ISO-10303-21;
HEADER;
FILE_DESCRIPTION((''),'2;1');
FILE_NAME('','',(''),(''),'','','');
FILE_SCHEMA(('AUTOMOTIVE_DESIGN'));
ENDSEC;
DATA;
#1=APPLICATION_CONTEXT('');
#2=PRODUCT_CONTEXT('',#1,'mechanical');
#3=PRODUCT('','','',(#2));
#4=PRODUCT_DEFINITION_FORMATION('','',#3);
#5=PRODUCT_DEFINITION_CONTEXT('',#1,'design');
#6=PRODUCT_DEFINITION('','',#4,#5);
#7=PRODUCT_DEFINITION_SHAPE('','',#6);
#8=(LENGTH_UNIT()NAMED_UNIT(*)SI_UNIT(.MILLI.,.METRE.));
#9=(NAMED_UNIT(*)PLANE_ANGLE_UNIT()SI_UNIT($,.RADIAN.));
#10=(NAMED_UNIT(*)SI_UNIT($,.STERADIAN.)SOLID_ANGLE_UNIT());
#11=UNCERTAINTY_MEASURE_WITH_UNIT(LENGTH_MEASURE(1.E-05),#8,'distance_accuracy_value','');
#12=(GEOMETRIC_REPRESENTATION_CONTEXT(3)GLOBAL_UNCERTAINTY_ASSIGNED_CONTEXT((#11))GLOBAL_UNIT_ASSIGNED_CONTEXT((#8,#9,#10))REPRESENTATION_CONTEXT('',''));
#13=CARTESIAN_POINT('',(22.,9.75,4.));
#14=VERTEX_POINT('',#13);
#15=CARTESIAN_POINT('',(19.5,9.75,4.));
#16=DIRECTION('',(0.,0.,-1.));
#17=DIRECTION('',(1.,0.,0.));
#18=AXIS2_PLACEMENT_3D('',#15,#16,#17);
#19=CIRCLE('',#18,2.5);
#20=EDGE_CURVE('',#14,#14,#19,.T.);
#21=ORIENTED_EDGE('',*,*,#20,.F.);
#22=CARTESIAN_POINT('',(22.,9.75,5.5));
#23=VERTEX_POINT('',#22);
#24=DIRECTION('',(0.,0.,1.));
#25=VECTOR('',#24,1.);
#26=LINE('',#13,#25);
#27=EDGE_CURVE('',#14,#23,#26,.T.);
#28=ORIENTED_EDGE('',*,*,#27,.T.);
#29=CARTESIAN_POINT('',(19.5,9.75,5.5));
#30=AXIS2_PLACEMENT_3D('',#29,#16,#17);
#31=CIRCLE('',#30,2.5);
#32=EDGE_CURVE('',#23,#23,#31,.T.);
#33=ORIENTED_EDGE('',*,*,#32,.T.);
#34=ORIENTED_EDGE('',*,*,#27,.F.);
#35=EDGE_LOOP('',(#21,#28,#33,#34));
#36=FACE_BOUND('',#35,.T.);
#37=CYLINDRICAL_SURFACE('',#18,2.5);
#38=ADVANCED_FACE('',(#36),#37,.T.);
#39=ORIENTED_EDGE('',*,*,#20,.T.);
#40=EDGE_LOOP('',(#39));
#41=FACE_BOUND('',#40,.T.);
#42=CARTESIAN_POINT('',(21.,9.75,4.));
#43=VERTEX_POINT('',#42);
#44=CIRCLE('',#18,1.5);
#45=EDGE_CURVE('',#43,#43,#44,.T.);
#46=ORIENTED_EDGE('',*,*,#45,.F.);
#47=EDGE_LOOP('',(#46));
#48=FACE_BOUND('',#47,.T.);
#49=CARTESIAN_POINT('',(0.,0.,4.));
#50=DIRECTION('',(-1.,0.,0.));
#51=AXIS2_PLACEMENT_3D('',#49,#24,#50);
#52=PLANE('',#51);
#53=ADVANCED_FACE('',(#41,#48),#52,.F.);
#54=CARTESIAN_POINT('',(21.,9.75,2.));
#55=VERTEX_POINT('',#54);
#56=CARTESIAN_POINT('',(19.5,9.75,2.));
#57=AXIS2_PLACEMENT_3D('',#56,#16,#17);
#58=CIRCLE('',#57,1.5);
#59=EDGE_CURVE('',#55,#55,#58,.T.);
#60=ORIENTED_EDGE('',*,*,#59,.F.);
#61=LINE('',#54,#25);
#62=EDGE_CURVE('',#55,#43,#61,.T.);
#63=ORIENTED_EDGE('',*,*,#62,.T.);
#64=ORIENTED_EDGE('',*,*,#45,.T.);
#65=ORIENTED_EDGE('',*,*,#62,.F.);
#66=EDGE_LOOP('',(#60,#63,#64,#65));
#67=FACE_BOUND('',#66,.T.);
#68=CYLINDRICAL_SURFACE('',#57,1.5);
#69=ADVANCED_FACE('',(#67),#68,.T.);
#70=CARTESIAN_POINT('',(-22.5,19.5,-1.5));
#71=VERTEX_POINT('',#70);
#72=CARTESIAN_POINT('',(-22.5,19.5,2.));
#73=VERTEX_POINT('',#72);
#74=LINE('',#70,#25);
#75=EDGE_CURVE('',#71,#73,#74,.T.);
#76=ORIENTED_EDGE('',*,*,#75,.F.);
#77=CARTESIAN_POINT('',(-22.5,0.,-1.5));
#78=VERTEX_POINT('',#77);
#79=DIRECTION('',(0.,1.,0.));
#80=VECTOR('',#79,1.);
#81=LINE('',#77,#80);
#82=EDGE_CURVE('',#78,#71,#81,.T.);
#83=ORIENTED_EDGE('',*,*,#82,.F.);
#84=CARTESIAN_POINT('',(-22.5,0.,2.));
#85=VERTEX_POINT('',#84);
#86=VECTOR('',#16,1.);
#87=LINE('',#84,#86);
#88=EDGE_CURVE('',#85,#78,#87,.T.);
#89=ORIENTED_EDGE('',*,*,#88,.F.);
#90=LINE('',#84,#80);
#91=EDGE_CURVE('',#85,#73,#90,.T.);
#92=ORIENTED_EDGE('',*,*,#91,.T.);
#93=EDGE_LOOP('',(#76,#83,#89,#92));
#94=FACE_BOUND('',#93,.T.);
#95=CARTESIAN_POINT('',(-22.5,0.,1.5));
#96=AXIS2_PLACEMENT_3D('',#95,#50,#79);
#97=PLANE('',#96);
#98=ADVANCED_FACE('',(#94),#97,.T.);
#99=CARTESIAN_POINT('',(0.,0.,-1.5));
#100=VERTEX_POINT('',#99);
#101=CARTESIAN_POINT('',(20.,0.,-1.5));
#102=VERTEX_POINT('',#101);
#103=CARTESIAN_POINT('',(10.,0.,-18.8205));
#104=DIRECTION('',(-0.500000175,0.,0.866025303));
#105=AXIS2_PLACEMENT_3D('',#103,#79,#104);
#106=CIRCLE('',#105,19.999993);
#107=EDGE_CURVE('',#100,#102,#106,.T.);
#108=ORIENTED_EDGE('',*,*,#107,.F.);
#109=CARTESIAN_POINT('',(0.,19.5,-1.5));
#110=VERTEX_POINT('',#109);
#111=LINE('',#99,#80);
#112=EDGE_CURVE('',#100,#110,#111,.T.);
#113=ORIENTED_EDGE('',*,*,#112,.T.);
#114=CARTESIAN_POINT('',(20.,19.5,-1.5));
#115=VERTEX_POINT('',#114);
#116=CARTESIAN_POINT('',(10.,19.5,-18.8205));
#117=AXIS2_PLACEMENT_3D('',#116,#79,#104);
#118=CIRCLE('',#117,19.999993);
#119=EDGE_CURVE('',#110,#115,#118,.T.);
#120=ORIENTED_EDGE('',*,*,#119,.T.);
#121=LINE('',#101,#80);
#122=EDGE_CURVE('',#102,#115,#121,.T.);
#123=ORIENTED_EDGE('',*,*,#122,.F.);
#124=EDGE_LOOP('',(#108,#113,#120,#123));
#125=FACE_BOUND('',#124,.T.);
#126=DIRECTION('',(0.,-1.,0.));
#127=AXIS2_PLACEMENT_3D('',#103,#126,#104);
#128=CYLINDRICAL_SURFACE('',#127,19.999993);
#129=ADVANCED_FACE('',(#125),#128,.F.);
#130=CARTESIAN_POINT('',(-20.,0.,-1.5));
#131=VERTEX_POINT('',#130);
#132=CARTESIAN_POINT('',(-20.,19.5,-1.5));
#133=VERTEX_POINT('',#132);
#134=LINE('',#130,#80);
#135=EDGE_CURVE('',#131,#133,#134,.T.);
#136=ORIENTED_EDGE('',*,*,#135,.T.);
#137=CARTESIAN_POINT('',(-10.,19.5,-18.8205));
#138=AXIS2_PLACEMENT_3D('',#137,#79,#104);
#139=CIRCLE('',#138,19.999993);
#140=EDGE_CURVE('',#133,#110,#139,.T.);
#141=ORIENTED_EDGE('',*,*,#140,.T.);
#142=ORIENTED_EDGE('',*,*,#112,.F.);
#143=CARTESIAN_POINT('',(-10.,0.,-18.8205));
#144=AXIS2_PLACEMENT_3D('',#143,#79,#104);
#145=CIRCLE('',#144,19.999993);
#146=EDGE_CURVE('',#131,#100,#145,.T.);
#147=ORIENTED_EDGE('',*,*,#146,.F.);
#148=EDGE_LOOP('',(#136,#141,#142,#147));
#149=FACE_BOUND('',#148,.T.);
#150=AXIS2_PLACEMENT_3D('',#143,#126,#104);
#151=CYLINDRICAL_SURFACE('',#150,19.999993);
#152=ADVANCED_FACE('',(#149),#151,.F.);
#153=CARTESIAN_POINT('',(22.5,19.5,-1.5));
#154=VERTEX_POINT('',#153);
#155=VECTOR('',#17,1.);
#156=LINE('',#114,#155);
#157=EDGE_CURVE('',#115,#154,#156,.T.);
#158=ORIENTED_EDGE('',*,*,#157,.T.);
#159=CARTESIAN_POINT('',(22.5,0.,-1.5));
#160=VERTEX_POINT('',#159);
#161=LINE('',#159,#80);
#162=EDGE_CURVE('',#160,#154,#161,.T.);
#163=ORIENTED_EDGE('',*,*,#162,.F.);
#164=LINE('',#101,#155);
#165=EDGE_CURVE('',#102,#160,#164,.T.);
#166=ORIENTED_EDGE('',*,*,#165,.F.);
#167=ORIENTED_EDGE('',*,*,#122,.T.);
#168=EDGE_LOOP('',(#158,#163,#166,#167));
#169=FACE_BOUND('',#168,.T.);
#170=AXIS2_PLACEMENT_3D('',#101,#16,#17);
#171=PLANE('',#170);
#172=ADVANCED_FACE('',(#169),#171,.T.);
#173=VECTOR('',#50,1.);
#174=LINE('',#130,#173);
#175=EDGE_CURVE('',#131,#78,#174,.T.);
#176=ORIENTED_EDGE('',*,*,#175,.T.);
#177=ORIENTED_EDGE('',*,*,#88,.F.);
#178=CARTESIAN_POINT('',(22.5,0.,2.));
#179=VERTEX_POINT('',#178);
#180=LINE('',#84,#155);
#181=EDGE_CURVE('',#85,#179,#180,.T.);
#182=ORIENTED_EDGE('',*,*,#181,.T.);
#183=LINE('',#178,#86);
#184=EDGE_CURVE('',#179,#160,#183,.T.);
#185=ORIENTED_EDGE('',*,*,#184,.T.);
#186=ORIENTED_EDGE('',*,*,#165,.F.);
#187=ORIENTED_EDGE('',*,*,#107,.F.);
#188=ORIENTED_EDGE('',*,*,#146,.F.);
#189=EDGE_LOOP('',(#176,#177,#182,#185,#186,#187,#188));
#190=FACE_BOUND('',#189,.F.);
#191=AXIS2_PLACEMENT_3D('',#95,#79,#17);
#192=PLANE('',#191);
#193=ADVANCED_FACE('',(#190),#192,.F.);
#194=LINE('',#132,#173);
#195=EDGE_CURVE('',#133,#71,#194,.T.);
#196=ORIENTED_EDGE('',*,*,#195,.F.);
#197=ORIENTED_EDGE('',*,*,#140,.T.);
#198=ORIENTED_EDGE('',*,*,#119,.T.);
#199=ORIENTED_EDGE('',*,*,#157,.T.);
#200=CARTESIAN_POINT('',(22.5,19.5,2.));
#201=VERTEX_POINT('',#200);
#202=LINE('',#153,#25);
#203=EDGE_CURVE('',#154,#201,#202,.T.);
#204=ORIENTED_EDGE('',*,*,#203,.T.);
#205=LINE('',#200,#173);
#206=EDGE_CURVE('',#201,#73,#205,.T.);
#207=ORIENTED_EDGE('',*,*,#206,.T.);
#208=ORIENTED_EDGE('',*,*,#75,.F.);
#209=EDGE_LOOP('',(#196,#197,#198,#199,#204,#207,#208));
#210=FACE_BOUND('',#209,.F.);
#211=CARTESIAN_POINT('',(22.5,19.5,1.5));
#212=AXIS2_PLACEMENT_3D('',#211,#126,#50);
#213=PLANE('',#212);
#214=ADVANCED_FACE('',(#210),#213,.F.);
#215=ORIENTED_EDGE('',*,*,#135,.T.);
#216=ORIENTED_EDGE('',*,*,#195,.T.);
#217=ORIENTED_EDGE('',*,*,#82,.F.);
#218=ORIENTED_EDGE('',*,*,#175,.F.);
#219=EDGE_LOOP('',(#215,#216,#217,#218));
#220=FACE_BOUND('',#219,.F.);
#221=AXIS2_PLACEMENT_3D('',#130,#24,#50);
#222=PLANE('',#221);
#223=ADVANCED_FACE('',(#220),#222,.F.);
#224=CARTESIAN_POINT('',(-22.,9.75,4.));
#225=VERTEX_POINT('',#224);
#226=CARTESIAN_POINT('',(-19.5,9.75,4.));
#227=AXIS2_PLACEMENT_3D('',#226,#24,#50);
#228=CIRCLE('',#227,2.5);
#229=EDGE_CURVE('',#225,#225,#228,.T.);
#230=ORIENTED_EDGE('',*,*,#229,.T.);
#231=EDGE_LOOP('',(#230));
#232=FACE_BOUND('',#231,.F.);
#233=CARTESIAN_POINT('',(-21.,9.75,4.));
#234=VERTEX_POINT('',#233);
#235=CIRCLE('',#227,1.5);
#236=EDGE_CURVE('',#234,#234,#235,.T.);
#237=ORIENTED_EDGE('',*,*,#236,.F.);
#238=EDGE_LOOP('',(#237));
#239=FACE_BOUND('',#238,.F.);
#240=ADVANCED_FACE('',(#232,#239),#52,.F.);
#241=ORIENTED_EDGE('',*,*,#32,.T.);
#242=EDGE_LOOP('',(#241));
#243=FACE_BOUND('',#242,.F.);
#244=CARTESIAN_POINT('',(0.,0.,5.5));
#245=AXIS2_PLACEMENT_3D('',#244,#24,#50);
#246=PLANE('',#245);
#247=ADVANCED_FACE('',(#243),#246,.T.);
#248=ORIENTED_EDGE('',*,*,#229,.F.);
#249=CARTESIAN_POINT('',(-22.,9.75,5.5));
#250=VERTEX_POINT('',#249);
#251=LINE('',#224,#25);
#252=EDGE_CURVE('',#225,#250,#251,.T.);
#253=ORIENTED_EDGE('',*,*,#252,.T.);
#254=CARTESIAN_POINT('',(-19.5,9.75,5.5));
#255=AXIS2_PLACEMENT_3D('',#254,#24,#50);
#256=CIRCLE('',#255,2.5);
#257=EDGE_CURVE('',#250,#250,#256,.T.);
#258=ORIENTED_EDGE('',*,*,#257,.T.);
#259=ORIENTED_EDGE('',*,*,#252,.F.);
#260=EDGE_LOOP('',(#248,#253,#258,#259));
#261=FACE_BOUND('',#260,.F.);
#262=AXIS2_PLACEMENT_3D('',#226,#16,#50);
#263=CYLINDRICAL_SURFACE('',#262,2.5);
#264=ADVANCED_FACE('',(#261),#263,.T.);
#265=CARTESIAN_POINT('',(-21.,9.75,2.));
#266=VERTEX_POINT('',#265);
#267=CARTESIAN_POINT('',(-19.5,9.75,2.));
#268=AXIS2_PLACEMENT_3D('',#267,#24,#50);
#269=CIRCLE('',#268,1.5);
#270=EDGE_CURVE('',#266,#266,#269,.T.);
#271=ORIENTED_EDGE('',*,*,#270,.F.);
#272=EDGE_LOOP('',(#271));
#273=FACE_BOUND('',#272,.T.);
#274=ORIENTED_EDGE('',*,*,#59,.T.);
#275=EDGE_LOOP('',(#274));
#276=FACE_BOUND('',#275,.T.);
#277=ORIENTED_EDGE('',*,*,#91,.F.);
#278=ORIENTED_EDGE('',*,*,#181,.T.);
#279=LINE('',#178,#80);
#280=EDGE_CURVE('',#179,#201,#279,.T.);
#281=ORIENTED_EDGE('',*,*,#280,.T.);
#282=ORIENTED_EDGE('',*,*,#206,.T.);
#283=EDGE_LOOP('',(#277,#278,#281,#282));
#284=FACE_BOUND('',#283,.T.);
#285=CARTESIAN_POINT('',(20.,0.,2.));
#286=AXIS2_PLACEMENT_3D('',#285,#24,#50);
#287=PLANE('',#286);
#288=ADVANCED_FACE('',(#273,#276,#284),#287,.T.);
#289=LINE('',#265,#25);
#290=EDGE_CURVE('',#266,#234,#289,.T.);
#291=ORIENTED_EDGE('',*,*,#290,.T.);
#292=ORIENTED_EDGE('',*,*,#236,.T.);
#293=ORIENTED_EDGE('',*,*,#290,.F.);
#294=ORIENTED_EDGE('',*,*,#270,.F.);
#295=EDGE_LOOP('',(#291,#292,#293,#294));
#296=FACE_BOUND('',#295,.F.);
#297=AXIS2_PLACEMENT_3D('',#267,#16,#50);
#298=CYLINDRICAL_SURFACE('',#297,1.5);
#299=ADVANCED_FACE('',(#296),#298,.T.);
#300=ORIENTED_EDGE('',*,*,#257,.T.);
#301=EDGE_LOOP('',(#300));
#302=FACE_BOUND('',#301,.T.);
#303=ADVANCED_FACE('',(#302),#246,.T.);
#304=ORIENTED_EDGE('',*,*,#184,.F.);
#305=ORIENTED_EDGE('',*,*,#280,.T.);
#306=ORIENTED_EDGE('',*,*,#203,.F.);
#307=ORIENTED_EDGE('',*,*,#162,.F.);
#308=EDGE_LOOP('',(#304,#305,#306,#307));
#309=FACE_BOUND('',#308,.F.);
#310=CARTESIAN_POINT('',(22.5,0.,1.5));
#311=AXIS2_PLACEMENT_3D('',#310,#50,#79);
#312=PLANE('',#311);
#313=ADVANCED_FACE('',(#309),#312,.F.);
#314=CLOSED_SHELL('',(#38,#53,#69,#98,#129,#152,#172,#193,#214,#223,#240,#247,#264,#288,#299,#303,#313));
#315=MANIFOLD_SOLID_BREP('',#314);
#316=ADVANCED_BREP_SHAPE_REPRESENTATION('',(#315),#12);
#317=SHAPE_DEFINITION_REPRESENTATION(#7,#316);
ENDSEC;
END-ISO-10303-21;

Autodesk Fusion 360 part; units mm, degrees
sketch "Sketch2" plane through (0, 0, 0) normal (0, 1, 0) x (1, 0, 0)
  line L0 (20, -1.5) -> (-20, -1.5)
  line L1 (-20, -1.5) -> (-20, 1.5)
  line L2 (-20, 1.5) -> (20, 1.5)
  line L3 (20, 1.5) -> (20, -1.5)
  line L4 (20, -1.5) -> (-20, 1.5) construction
  line L5 (-20, -1.5) -> (20, 1.5) construction
  line L6 (0, -1.5) -> (0, 1.5) construction
  arc A0 (-20, 1.5) -> (0, 1.5) centre (-10, 18.8205) ccw
  arc A1 (0, 1.5) -> (20, 1.5) centre (10, 18.8205) ccw
  line L7 (-20, 1.5) -> (-22.5, 1.5)
  line L8 (-22.5, 1.5) -> (-22.5, -1.5)
  line L9 (-22.5, -1.5) -> (-20, -1.5)
  line L10 (-20, -1.5) -> (-20, 1.5)
  line L11 (20, 1.5) -> (22.5, 1.5)
  line L12 (22.5, 1.5) -> (22.5, -1.5)
  line L13 (22.5, -1.5) -> (20, -1.5)
  line L14 (20, -1.5) -> (20, 1.5)
  dimension "d3" = 3
  dimension "d4" = 40
  dimension "d5" = 20
  dimension "d6" = 20
  dimension "d11" = 2.5
  dimension "d12" = 2.5
extrude "Extrude1" add sketch "Sketch2" along normal blind 19.5 contours L0 L1 L3 A0 A1 L10 L14 | L3 L11 L12 L13 L14 | L1 L7 L8 L9 L10
extrude "Extrude2" add 3 faces at (6.6667, 6.5, 1.5) (21.6667, 6.5, 1.5) (-21.6667, 6.5, 1.5) along direction (0, 0, 1) blind 0.5
sketch "Sketch3" plane through (0, 0, 2) normal (0, 0, 1) x (-1, 0, 0)
  line L0 (22.5, 0) -> (-22.5, 0)
  line L1 (-22.5, 0) -> (-22.5, -19.5)
  line L2 (-22.5, -19.5) -> (22.5, -19.5)
  line L3 (22.5, -19.5) -> (22.5, 0)
  line L4 (22.5, -9.75) -> (-22.5, -9.75) construction
  line L5 (0, -19.5) -> (0, 0) construction
  circle A0 centre (19.5, -9.75) radius 1.5
  dimension "d13" = 3
  dimension "d14" = 3
extrude "Extrude3" add sketch "Sketch3" along normal blind 2 contours A0
sketch "Sketch4" plane through (0, 0, 4) normal (0, 0, 1) x (-1, 0, 0)
  circle A0 centre (19.5, -9.75) radius 1.5
  circle A1 centre (19.5, -9.75) radius 2.5
  dimension "d17" = 5
extrude "Extrude4" add sketch "Sketch4" along normal blind 1.5 contours A0 | A1
ref_plane "WorkPlane1" through (0, 9.75, 0.25) normal (-1, 0, 0) x (0, 0, 1)
mirror "Mirror1" about plane through (0, 9.75, 0.25) normal (-1, 0, 0) of "Extrude3", "Extrude4"
equation "d7 = 16.5 mm + 3 mm"
